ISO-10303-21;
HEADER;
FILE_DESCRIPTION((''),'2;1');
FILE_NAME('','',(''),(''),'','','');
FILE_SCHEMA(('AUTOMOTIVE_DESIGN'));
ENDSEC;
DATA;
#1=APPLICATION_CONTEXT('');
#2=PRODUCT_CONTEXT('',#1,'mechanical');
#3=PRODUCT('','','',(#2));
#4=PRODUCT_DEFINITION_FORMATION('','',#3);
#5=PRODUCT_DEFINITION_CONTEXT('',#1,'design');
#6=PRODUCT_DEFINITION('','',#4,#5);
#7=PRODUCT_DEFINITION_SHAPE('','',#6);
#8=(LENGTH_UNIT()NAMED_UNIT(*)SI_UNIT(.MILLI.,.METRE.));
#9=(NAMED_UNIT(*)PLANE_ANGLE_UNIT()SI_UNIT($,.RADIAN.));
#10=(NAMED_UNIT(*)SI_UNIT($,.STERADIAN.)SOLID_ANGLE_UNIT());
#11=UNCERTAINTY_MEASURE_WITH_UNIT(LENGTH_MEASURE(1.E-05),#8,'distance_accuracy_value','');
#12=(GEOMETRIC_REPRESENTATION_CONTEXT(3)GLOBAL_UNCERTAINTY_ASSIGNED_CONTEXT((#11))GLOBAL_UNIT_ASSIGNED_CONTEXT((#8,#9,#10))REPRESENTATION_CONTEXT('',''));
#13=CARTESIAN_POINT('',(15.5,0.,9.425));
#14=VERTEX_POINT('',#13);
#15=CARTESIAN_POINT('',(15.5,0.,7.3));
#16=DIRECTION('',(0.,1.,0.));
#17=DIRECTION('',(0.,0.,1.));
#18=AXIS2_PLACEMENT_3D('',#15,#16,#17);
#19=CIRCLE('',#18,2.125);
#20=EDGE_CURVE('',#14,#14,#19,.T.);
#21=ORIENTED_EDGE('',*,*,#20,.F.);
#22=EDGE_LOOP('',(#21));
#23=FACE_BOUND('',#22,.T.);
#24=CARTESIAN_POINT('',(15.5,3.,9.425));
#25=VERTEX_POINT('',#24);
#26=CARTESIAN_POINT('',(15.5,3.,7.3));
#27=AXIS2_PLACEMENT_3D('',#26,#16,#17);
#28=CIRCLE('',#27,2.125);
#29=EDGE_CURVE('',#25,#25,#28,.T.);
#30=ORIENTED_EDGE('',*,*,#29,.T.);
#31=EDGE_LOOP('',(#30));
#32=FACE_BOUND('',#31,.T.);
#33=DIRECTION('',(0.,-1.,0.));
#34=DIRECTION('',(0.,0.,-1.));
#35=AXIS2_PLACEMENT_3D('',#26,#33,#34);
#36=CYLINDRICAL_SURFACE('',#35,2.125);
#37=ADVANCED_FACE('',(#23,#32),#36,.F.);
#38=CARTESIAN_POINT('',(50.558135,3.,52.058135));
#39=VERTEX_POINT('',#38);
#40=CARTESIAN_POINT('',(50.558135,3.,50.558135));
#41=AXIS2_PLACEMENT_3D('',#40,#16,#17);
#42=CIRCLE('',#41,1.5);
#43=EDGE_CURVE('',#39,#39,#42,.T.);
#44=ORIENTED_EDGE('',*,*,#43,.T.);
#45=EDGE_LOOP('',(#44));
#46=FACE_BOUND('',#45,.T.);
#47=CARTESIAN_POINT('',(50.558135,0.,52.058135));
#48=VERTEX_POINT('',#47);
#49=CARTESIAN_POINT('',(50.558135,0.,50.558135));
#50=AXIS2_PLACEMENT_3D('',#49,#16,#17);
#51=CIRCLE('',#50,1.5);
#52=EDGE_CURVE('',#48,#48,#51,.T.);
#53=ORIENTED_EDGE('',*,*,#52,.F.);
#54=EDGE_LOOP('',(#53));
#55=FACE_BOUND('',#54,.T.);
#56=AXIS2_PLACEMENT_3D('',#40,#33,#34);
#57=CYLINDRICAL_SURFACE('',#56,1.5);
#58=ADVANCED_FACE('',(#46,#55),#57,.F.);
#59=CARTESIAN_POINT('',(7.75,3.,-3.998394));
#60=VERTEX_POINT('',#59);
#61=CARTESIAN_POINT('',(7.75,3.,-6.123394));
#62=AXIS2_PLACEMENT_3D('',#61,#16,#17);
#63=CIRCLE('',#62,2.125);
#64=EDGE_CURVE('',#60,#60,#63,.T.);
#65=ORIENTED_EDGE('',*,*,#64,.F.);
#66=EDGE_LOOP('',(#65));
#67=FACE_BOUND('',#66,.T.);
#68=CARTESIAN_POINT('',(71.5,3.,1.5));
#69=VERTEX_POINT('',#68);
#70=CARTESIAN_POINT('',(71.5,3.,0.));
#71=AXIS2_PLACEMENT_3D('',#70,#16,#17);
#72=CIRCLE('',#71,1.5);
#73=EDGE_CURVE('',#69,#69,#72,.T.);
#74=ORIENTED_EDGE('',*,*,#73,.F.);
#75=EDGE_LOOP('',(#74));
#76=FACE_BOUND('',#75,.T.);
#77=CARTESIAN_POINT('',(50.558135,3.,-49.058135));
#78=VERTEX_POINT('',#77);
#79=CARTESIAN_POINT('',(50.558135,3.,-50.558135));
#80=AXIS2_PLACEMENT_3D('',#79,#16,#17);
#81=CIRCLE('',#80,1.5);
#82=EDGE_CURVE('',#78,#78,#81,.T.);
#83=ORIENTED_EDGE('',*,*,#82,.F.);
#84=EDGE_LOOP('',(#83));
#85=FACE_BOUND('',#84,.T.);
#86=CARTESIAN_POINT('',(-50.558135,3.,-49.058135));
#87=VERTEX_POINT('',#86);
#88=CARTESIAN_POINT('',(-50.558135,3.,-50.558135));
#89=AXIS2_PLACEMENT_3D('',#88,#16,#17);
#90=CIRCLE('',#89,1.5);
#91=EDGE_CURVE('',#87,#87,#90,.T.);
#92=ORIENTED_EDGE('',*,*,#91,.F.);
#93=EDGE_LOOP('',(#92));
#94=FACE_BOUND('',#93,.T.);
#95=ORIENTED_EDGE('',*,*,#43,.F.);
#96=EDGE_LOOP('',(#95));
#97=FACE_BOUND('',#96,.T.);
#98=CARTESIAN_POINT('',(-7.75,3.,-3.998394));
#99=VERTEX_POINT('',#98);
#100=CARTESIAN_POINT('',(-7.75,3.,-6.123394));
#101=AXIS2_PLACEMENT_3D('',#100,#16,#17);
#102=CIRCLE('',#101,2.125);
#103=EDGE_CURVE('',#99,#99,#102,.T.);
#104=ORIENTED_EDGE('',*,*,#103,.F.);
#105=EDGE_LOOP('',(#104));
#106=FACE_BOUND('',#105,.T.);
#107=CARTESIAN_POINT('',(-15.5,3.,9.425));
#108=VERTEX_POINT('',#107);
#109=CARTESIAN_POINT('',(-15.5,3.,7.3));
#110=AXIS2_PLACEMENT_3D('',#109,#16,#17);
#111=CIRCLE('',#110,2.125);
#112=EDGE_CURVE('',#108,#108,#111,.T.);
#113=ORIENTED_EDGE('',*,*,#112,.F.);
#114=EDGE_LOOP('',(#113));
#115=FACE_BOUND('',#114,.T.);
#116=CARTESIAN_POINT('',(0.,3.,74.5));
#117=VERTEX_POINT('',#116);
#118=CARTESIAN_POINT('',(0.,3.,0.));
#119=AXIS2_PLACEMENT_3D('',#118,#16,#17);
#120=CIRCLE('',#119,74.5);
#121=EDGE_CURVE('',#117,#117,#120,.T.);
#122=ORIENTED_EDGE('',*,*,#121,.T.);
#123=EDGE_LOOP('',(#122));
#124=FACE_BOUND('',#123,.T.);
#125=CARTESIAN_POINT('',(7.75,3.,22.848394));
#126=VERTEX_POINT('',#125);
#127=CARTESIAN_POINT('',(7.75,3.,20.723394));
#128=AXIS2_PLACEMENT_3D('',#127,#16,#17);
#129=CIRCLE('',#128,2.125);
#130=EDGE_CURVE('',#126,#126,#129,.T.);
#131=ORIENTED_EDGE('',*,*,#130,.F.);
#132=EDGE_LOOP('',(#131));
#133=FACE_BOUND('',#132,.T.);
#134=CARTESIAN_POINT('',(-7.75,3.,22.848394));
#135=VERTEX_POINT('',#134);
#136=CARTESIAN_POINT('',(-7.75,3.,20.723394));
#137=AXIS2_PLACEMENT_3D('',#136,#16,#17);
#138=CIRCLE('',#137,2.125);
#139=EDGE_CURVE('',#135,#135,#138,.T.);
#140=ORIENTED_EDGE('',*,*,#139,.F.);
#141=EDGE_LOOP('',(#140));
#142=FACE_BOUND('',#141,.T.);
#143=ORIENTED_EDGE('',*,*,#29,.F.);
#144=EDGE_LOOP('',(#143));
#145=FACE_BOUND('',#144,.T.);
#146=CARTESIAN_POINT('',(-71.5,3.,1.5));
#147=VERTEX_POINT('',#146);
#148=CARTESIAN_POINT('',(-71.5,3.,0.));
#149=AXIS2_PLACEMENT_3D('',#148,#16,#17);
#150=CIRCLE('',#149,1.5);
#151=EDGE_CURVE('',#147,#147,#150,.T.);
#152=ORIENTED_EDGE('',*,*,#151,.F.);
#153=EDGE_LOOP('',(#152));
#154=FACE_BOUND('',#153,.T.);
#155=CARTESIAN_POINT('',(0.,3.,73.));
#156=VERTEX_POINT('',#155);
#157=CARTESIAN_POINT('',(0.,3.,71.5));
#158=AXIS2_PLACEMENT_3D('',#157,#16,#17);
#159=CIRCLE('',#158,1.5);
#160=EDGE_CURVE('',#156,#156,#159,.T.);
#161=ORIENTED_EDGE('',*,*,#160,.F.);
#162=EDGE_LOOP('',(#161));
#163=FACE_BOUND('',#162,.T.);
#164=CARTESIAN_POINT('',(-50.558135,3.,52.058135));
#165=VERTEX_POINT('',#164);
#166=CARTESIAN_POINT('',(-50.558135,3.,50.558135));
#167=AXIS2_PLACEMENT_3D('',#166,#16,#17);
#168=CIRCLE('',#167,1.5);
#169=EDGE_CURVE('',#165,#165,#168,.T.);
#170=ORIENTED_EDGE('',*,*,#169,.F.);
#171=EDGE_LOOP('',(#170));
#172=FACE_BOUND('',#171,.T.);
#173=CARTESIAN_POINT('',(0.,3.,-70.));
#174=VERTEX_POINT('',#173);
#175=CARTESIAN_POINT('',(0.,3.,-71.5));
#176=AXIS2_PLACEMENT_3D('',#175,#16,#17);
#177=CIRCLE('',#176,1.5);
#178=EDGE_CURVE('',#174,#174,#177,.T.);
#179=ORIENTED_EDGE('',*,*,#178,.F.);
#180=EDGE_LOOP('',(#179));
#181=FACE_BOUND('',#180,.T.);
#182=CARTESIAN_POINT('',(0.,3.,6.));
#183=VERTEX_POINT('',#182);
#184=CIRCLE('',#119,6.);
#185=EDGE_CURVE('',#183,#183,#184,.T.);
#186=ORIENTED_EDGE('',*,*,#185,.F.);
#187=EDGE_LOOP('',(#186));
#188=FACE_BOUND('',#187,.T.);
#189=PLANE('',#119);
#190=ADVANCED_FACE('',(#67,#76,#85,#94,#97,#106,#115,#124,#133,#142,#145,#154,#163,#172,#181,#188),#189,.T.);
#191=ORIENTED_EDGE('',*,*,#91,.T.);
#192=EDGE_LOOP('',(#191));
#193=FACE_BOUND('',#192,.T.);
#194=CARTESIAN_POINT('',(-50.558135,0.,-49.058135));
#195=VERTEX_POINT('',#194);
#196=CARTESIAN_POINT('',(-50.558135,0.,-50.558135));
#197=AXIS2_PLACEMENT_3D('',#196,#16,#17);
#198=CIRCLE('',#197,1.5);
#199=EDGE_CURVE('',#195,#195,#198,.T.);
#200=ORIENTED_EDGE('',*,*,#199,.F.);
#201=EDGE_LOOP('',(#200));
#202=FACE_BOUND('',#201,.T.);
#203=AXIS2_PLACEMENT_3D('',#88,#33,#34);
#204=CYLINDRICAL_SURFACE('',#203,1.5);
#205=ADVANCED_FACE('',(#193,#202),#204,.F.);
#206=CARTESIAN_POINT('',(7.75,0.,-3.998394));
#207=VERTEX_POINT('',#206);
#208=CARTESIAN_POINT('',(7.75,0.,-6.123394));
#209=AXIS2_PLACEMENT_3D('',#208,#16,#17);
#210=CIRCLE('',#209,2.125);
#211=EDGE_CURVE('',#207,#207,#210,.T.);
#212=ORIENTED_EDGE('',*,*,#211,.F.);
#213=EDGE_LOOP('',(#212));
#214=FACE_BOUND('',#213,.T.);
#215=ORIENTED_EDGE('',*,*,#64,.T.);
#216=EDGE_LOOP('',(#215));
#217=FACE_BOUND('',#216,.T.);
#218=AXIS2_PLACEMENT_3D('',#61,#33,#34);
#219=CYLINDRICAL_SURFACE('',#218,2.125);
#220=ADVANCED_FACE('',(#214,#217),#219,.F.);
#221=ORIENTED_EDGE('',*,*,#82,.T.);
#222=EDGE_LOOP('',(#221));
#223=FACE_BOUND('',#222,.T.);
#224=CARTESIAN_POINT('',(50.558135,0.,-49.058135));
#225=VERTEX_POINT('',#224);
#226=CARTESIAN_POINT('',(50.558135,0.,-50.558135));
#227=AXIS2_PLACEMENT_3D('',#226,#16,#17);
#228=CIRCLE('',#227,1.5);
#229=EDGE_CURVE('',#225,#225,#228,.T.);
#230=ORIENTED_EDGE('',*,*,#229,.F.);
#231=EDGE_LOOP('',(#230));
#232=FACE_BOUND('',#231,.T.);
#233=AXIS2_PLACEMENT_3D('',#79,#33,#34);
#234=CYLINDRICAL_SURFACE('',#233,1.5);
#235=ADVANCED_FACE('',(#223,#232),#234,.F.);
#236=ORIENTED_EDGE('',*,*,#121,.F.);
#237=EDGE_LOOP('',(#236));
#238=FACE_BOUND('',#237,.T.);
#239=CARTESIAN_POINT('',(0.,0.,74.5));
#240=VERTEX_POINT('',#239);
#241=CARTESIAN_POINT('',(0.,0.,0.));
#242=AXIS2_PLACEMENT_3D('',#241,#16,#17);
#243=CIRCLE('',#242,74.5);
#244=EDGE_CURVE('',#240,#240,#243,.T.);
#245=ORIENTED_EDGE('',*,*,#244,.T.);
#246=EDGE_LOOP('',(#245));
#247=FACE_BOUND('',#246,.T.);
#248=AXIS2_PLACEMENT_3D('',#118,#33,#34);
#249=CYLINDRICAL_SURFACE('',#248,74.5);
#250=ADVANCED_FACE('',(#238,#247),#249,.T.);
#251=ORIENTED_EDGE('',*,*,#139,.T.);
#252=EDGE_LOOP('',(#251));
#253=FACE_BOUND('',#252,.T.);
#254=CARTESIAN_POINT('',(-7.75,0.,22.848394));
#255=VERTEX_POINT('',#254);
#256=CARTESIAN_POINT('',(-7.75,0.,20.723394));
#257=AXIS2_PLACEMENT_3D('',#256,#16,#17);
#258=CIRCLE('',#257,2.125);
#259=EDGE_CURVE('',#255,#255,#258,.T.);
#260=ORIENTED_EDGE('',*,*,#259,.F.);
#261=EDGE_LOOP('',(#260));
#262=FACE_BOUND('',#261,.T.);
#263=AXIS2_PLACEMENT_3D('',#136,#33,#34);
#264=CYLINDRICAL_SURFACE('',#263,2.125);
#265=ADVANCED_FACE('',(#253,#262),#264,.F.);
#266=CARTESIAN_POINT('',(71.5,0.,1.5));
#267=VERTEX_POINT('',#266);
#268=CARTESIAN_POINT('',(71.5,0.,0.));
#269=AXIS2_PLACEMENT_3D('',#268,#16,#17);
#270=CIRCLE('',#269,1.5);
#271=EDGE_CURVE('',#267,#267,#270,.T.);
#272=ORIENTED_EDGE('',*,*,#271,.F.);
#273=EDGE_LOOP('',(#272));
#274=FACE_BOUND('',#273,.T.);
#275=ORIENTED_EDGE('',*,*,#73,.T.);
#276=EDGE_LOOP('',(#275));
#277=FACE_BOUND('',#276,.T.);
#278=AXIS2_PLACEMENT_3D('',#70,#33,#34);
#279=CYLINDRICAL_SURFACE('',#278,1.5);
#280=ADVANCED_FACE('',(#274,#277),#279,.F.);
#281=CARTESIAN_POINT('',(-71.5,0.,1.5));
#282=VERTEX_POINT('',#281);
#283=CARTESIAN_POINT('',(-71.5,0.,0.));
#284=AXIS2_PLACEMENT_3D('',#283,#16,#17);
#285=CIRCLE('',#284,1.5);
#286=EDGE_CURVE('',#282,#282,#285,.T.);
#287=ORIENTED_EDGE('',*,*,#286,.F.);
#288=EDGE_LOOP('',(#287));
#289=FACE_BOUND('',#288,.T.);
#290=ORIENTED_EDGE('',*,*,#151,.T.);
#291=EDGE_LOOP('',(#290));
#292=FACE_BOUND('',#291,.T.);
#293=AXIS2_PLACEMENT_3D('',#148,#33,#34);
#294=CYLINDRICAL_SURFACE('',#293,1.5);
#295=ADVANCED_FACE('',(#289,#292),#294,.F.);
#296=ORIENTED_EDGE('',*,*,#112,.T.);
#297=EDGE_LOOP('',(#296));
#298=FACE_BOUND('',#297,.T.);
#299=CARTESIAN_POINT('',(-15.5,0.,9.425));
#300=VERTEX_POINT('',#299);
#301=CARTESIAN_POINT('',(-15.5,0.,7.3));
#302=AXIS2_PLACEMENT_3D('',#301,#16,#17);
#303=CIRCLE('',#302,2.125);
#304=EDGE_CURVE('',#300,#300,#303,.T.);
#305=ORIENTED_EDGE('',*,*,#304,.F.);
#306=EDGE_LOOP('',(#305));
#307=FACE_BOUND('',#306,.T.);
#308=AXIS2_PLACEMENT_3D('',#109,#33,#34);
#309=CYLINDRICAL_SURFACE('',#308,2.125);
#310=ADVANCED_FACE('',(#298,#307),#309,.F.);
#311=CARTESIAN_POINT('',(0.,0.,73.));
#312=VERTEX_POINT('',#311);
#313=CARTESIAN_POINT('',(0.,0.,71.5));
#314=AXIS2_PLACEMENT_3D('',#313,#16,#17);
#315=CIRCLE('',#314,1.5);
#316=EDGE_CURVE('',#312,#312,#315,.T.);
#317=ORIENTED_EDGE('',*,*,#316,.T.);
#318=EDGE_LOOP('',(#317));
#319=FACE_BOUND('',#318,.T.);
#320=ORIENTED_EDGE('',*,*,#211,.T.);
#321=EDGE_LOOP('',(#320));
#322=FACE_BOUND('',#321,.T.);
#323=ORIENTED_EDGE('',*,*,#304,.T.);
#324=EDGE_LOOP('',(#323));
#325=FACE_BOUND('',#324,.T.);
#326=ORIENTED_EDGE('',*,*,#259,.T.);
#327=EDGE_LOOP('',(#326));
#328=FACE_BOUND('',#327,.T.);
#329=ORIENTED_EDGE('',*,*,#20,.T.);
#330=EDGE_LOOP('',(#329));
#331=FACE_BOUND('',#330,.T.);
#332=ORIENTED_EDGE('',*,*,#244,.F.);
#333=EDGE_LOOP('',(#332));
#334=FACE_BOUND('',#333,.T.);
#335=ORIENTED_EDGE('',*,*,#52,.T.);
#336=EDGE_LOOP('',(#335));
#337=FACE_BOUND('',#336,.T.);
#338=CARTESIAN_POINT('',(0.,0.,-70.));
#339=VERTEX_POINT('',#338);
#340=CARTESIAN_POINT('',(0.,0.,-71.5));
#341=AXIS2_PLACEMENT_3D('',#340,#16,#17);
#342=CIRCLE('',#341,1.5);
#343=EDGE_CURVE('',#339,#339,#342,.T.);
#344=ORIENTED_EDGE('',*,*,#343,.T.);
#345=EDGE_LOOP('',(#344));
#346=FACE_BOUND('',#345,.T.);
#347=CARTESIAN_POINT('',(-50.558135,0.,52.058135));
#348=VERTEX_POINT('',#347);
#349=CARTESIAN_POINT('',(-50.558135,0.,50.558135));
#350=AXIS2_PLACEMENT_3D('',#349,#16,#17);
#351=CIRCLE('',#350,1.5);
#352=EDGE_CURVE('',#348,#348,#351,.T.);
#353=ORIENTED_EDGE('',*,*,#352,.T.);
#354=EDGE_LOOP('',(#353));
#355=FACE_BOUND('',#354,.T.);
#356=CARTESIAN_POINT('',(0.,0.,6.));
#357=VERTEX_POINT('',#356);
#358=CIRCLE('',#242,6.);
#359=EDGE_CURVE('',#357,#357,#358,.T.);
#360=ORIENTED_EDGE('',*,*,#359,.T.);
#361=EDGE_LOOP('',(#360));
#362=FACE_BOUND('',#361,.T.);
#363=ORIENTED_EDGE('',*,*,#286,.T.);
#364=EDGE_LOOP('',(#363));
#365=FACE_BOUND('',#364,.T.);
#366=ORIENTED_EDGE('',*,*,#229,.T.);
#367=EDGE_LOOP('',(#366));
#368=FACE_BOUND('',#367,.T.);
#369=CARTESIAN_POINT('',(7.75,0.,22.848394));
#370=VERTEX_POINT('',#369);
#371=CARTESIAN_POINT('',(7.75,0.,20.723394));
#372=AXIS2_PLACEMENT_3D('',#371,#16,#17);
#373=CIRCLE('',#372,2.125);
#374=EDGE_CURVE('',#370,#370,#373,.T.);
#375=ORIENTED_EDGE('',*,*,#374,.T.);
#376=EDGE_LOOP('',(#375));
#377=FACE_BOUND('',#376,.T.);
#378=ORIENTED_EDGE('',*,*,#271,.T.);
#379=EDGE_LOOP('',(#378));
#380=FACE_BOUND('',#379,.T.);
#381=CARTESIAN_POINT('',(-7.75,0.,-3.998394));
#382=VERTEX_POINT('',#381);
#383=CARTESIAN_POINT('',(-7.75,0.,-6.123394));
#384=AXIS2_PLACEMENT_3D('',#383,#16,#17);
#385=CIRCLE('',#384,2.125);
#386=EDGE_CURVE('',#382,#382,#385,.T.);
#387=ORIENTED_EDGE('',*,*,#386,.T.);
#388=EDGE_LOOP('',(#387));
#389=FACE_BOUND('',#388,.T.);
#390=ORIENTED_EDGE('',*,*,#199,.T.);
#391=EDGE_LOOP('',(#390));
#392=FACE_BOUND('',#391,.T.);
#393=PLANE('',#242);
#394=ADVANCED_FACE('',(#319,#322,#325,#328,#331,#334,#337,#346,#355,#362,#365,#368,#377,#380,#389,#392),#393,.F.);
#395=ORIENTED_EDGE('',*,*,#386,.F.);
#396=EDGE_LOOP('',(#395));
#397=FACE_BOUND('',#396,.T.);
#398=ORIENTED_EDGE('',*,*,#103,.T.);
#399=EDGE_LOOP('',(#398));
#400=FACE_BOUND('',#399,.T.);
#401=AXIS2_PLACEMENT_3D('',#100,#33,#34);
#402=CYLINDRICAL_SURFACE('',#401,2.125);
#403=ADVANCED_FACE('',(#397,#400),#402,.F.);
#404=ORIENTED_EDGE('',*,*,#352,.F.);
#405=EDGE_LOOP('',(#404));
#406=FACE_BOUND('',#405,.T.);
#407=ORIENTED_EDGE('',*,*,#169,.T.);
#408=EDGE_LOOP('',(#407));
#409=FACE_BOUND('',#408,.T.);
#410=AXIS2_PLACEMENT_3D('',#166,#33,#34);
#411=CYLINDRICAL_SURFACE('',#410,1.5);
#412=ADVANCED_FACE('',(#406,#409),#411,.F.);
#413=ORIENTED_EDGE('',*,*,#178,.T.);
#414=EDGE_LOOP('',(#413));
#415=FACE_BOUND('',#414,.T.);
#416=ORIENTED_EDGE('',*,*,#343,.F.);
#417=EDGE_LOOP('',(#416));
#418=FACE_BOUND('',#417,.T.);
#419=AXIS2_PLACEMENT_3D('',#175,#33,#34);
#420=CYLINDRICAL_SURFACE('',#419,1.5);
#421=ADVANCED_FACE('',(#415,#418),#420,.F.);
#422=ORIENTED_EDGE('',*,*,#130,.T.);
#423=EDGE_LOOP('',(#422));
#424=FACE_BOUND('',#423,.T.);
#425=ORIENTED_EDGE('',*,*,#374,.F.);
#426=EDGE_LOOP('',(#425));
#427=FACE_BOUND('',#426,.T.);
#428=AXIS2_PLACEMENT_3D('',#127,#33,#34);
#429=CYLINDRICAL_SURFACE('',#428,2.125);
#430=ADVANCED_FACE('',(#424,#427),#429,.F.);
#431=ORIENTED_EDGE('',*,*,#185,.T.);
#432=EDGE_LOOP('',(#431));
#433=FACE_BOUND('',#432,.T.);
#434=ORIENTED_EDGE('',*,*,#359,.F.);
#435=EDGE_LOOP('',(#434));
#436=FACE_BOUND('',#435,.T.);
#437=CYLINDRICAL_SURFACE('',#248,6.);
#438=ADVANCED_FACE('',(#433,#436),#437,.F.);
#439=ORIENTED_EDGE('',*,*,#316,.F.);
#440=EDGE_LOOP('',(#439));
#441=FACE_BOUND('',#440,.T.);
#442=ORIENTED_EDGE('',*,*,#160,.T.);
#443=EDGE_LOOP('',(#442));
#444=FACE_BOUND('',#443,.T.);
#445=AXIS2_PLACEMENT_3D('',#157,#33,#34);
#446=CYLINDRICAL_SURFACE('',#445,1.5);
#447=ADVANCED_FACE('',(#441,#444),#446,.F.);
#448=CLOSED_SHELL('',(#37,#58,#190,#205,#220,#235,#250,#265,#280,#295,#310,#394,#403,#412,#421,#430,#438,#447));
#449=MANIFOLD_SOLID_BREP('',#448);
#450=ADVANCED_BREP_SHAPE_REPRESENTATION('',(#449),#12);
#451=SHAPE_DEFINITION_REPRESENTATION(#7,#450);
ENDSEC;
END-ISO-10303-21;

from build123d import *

# Parameters (mm, degrees)
SKETCH_2_R      = 74.5
SKETCH_2_R_2    = 1.5
SKETCH_2_R_3    = 2.125
SKETCH_2_R_4    = 6
EXTRUDE_1_DEPTH = 3


with BuildPart() as part:
    # 草图2 → 凸台-拉伸1 (new body)
    with BuildSketch(Plane(origin=(0, 0, 0), x_dir=(1, 0, 0), z_dir=(0, 1, 0))):
        with Locations(Location((0, 0, 0), (0, 0, 270))):
            Circle(SKETCH_2_R)
        with Locations(Location((-50.558134855, -50.558134855, 0), (0, 0, 270))):
            Circle(SKETCH_2_R_2, mode=Mode.SUBTRACT)
        with Locations(Location((-71.5, 0, 0), (0, 0, 270))):
            Circle(SKETCH_2_R_2, mode=Mode.SUBTRACT)
        with Locations(Location((0, -71.5, 0), (0, 0, 270))):
            Circle(SKETCH_2_R_2, mode=Mode.SUBTRACT)
        with Locations(Location((50.558134855, -50.558134855, 0), (0, 0, 270))):
            Circle(SKETCH_2_R_2, mode=Mode.SUBTRACT)
        with Locations(Location((-50.558134855, 50.558134855, 0), (0, 0, 270))):
            Circle(SKETCH_2_R_2, mode=Mode.SUBTRACT)
        with Locations(Location((71.5, 0, 0), (0, 0, 270))):
            Circle(SKETCH_2_R_2, mode=Mode.SUBTRACT)
        with Locations(Location((0, 71.5, 0), (0, 0, 270))):
            Circle(SKETCH_2_R_2, mode=Mode.SUBTRACT)
        with Locations(Location((50.558134855, 50.558134855, 0), (0, 0, 270))):
            Circle(SKETCH_2_R_2, mode=Mode.SUBTRACT)
        with Locations(Location((7.75, 6.123393759, 0), (0, 0, 270))):
            Circle(SKETCH_2_R_3, mode=Mode.SUBTRACT)
        with Locations(Location((-7.75, -20.723393759, 0), (0, 0, 270))):
            Circle(SKETCH_2_R_3, mode=Mode.SUBTRACT)
        with Locations(Location((-15.5, -7.3, 0), (0, 0, 270))):
            Circle(SKETCH_2_R_3, mode=Mode.SUBTRACT)
        with Locations(Location((7.75, -20.723393759, 0), (0, 0, 270))):
            Circle(SKETCH_2_R_3, mode=Mode.SUBTRACT)
        with Locations(Location((15.5, -7.3, 0), (0, 0, 270))):
            Circle(SKETCH_2_R_3, mode=Mode.SUBTRACT)
        with Locations(Location((-7.75, 6.123393759, 0), (0, 0, 270))):
            Circle(SKETCH_2_R_3, mode=Mode.SUBTRACT)
        with Locations(Location((0, 0, 0), (0, 0, 270))):
            Circle(SKETCH_2_R_4, mode=Mode.SUBTRACT)
    extrude(amount=EXTRUDE_1_DEPTH)


solid = part.part
